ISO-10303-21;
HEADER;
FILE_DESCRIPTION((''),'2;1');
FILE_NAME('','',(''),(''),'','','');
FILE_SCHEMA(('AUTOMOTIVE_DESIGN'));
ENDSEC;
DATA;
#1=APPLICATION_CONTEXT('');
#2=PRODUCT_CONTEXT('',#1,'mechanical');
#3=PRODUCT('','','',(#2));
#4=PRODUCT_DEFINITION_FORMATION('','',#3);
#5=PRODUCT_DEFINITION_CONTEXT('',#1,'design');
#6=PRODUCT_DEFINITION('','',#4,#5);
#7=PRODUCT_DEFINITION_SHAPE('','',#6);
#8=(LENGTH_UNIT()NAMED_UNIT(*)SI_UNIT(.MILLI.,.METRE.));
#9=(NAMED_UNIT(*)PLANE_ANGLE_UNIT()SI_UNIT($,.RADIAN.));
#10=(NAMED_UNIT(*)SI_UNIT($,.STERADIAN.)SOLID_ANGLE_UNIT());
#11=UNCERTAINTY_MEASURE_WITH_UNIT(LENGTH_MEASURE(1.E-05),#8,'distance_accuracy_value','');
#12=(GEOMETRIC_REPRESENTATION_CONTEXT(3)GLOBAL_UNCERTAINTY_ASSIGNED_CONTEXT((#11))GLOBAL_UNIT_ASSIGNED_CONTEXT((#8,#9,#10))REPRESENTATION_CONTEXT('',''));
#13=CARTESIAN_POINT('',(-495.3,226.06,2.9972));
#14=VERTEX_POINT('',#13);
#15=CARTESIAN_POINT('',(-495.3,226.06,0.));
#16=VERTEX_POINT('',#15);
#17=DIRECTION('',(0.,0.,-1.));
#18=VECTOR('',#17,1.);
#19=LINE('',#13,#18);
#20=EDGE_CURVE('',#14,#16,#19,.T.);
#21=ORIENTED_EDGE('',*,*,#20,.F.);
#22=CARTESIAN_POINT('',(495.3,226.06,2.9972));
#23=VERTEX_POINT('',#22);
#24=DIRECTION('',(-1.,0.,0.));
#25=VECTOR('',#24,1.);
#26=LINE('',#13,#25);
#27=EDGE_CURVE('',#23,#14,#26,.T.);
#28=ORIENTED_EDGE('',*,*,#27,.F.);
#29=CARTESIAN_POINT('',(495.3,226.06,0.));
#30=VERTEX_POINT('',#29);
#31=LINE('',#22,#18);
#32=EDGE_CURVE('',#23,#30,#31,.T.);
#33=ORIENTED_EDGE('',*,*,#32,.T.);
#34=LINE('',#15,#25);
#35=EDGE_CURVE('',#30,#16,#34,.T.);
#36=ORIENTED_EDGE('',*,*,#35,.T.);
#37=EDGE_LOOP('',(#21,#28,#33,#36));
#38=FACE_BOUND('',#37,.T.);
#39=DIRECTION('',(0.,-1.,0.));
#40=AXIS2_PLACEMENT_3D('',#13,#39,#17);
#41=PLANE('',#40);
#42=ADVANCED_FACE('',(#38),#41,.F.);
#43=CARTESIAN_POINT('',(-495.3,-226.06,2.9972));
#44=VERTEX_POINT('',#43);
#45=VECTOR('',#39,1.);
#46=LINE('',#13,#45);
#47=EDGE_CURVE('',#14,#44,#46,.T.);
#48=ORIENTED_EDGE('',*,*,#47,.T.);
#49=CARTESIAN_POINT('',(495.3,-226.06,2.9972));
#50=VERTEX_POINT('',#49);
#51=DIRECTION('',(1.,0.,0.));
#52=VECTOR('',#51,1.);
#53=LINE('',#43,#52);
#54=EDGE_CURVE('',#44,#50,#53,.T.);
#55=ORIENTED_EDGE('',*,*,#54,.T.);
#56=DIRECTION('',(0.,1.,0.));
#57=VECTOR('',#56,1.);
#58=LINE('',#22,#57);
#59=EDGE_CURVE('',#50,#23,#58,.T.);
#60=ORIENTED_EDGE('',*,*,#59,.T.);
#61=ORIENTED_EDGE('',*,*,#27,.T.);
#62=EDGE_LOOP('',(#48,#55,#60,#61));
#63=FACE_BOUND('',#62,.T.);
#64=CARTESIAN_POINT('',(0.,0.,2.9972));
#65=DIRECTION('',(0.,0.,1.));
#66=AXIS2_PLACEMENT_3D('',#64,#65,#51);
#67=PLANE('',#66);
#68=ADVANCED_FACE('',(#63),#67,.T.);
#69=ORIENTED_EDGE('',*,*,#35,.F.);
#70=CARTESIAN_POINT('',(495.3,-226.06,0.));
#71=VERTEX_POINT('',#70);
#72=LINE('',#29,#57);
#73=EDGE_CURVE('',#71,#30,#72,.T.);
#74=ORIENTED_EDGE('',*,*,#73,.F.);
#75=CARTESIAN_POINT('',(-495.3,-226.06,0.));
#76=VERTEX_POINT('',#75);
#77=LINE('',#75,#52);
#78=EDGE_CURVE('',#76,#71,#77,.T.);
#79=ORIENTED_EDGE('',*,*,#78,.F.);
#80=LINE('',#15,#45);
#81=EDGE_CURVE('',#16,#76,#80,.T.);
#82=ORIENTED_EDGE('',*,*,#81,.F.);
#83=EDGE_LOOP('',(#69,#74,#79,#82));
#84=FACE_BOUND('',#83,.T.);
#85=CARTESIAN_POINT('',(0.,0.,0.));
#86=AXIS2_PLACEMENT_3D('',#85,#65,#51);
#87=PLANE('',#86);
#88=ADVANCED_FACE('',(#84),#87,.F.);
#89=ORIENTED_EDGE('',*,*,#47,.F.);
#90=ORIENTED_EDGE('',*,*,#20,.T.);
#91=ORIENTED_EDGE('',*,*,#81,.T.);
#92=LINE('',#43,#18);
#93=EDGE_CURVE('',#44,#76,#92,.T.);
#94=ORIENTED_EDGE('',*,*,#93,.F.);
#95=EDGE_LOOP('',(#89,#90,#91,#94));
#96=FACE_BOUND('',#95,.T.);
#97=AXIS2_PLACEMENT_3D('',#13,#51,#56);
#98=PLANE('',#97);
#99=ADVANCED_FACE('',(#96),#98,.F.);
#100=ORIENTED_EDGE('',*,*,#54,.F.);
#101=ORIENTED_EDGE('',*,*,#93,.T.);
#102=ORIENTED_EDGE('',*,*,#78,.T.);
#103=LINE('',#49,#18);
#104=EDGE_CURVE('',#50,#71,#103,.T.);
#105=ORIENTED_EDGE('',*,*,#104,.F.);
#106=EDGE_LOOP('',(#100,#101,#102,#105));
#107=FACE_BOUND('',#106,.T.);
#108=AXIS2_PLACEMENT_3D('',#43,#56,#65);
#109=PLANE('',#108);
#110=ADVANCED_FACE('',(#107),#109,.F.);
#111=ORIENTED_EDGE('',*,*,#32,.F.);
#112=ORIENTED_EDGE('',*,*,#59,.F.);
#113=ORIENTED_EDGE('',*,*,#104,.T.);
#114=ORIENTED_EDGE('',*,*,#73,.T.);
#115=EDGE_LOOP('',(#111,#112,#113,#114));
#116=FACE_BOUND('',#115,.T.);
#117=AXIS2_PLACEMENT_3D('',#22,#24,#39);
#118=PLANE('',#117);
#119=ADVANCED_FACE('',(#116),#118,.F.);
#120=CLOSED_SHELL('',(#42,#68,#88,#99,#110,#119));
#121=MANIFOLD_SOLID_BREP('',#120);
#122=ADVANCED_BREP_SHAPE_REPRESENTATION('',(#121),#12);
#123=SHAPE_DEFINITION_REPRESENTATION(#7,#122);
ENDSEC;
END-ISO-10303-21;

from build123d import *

# Parameters (mm, degrees)
SKETCH1_W           = 990.6
SKETCH1_H           = 452.12
BOSS_EXTRUDE1_DEPTH = 2.9972


with BuildPart() as part:
    # Sketch1 → Boss-Extrude1 (new body)
    with BuildSketch(Plane.XY):
        Rectangle(SKETCH1_W, SKETCH1_H)
    extrude(amount=BOSS_EXTRUDE1_DEPTH)


solid = part.part
